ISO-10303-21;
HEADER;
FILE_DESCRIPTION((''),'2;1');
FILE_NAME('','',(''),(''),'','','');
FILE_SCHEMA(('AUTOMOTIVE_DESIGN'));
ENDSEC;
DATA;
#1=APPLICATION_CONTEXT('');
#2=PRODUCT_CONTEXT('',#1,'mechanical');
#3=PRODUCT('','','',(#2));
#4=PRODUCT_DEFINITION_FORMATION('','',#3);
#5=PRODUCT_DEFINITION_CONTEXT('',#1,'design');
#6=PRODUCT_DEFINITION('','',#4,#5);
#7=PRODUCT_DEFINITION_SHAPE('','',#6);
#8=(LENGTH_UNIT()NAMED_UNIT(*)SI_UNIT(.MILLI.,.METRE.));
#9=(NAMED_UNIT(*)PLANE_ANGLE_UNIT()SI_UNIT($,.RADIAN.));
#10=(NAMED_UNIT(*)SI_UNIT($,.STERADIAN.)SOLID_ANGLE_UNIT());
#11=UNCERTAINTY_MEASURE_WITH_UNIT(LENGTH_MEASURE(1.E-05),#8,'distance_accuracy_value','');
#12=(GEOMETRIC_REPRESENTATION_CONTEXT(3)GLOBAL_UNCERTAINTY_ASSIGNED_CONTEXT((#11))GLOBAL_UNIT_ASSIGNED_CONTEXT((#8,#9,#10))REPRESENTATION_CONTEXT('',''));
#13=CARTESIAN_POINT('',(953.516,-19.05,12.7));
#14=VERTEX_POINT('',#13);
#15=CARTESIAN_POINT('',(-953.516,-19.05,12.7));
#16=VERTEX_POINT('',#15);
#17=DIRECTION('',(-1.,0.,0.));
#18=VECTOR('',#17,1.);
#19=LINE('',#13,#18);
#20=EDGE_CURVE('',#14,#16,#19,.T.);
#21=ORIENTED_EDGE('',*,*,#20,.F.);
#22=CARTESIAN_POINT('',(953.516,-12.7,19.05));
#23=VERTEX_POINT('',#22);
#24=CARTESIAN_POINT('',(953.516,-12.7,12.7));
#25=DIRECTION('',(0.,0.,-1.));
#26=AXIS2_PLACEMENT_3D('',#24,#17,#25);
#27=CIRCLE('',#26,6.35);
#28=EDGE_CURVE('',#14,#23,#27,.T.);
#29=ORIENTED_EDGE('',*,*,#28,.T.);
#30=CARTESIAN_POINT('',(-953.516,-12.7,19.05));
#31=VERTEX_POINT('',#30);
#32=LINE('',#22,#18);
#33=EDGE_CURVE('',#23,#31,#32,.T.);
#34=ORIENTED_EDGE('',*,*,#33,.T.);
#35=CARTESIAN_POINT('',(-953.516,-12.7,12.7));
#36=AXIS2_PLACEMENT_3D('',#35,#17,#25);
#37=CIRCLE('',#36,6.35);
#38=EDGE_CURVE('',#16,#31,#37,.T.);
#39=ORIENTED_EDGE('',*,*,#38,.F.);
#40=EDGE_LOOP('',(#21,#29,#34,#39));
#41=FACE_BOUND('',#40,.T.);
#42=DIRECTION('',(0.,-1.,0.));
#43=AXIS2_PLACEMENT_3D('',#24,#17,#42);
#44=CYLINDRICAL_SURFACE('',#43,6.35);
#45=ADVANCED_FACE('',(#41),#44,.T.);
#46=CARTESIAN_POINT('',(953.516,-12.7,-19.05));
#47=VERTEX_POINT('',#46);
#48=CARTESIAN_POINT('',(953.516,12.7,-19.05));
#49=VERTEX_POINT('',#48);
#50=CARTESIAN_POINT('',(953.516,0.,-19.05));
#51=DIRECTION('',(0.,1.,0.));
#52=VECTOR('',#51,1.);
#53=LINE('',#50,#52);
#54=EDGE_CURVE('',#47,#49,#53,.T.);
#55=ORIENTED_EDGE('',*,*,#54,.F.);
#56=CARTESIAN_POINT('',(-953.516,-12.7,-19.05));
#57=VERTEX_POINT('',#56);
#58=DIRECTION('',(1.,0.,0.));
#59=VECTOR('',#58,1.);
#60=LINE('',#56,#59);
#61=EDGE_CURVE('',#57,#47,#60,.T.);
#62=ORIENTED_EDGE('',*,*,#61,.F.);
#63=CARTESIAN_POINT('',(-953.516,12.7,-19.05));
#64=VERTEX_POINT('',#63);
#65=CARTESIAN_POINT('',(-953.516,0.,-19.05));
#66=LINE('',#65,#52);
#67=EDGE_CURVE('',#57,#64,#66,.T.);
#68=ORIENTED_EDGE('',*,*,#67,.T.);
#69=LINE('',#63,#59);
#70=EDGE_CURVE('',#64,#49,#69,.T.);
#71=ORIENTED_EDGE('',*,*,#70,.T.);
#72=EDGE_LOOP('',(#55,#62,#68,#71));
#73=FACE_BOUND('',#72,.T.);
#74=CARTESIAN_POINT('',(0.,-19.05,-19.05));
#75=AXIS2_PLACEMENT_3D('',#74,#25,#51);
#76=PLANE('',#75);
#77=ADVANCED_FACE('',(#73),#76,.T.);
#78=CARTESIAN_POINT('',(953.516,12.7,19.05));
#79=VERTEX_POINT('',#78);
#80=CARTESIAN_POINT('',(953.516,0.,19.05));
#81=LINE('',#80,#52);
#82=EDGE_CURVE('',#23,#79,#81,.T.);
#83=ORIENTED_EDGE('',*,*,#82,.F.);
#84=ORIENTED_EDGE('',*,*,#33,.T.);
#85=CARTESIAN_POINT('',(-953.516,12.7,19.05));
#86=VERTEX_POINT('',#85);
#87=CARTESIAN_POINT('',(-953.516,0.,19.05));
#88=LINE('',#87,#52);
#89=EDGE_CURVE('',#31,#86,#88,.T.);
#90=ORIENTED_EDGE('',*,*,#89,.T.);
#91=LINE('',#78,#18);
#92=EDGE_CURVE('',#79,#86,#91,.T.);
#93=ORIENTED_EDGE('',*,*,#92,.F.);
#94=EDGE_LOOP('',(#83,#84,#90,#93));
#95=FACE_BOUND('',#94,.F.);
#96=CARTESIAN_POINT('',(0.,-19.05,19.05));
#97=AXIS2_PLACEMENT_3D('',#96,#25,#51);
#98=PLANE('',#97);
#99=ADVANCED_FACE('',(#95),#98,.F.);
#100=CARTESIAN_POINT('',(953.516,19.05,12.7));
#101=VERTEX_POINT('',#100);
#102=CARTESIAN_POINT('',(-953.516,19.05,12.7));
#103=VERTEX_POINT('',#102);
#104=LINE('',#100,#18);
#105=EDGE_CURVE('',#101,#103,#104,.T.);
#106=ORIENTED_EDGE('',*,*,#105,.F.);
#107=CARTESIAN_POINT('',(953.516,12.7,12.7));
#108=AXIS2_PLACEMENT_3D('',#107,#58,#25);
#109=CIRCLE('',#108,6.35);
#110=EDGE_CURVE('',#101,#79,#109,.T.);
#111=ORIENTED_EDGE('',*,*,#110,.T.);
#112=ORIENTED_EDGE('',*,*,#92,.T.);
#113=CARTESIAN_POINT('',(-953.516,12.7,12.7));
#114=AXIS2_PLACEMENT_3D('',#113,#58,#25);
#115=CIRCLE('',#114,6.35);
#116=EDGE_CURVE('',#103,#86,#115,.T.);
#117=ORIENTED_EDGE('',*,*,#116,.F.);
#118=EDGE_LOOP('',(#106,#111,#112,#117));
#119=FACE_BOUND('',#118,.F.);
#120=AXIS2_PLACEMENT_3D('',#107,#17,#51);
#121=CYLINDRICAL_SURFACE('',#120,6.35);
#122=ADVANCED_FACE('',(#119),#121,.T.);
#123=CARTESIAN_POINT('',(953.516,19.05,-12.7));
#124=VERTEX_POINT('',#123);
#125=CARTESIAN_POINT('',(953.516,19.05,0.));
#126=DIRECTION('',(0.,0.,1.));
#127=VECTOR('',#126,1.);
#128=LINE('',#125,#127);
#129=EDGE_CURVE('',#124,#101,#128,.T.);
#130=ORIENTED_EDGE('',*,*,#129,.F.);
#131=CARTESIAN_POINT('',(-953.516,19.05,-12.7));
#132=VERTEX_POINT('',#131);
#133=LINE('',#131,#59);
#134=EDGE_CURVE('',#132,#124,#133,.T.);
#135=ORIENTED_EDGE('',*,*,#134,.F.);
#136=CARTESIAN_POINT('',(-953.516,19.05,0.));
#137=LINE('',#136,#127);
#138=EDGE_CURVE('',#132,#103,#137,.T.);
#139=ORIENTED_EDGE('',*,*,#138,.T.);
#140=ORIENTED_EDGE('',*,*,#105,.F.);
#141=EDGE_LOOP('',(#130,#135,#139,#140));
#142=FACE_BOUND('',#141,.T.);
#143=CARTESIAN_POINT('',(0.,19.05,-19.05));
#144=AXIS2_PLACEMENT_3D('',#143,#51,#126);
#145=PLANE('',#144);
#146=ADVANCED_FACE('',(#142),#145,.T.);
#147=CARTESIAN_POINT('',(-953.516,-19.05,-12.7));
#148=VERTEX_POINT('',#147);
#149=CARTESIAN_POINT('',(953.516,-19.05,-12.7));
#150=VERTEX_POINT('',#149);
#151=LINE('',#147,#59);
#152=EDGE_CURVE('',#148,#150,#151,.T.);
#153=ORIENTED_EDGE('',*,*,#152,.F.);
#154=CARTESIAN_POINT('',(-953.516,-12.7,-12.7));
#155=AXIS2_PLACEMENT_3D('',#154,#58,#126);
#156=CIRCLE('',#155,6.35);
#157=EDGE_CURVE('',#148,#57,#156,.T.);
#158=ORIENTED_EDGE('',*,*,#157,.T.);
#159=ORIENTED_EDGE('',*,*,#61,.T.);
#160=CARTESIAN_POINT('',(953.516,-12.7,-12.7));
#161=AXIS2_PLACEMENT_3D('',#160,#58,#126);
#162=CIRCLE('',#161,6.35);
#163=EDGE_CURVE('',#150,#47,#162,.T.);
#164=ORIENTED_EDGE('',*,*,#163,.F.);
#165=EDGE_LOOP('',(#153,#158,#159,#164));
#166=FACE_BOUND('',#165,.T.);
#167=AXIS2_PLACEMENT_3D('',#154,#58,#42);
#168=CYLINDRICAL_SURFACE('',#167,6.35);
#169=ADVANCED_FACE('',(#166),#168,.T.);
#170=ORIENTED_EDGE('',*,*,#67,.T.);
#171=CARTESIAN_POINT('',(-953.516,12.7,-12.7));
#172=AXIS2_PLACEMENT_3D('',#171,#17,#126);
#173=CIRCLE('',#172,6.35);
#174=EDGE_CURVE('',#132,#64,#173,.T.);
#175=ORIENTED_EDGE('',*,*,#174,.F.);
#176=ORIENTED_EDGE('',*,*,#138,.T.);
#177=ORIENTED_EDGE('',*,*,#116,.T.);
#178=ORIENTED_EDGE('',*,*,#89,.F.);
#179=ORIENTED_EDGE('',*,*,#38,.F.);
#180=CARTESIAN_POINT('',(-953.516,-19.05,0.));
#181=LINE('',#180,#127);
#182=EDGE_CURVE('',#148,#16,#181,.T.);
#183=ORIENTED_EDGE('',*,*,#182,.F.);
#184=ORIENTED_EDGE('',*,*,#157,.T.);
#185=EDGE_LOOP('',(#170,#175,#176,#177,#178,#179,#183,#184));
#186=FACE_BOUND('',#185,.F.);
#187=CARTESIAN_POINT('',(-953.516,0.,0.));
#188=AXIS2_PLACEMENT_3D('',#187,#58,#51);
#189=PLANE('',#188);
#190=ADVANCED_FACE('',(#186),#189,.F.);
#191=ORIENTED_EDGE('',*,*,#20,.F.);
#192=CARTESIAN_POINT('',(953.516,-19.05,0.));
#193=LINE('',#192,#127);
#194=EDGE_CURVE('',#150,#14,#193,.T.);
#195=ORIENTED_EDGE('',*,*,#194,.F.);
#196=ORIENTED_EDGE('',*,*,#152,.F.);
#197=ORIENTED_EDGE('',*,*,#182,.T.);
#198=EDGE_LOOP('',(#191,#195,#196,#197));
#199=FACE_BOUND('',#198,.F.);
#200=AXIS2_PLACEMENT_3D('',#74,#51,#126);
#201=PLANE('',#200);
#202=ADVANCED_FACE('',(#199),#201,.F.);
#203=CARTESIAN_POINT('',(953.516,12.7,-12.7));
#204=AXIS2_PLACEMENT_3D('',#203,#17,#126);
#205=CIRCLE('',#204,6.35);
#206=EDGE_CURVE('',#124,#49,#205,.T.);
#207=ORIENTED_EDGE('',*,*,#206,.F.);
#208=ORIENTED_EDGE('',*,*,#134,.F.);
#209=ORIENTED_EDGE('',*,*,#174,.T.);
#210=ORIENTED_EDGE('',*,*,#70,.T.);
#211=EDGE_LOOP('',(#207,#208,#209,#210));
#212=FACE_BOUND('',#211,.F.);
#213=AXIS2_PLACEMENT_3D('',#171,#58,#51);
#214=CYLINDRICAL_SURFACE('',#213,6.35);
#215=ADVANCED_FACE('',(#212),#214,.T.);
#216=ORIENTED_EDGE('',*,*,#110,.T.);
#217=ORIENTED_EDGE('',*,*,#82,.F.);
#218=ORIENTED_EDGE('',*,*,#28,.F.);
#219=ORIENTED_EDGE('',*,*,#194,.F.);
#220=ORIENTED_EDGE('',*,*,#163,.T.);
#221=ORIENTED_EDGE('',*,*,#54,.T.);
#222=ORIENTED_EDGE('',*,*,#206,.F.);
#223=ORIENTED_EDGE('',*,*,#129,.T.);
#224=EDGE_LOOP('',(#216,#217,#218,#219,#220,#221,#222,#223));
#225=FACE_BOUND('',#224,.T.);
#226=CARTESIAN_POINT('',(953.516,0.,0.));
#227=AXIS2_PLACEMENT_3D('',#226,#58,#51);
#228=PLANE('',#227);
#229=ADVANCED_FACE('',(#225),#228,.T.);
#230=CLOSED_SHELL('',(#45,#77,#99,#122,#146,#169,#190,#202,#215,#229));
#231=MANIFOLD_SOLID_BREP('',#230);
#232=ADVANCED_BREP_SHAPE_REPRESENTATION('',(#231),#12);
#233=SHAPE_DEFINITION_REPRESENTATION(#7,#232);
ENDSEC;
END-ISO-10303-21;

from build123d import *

# Parameters (mm, degrees)
F0_W     = 38.1
F0_H     = 38.1
F1_DEPTH = 953.516
F2_R     = 6.35


with BuildPart() as f1:
    # F0 (on Right) → F1 (new body, symmetric)
    with BuildSketch(Plane.YZ):
        Rectangle(F0_W, F0_H)
    extrude(amount=F1_DEPTH, both=True)

    # F2
    f2_edges = [f1.edges().sort_by_distance(p)[0] for p in [
        (0, -19.05, 19.05),
        (0, 19.05, 19.05),
        (0, 19.05, -19.05),
        (0, -19.05, -19.05),
    ]]
    fillet(f2_edges, radius=F2_R)


solid = f1.part
